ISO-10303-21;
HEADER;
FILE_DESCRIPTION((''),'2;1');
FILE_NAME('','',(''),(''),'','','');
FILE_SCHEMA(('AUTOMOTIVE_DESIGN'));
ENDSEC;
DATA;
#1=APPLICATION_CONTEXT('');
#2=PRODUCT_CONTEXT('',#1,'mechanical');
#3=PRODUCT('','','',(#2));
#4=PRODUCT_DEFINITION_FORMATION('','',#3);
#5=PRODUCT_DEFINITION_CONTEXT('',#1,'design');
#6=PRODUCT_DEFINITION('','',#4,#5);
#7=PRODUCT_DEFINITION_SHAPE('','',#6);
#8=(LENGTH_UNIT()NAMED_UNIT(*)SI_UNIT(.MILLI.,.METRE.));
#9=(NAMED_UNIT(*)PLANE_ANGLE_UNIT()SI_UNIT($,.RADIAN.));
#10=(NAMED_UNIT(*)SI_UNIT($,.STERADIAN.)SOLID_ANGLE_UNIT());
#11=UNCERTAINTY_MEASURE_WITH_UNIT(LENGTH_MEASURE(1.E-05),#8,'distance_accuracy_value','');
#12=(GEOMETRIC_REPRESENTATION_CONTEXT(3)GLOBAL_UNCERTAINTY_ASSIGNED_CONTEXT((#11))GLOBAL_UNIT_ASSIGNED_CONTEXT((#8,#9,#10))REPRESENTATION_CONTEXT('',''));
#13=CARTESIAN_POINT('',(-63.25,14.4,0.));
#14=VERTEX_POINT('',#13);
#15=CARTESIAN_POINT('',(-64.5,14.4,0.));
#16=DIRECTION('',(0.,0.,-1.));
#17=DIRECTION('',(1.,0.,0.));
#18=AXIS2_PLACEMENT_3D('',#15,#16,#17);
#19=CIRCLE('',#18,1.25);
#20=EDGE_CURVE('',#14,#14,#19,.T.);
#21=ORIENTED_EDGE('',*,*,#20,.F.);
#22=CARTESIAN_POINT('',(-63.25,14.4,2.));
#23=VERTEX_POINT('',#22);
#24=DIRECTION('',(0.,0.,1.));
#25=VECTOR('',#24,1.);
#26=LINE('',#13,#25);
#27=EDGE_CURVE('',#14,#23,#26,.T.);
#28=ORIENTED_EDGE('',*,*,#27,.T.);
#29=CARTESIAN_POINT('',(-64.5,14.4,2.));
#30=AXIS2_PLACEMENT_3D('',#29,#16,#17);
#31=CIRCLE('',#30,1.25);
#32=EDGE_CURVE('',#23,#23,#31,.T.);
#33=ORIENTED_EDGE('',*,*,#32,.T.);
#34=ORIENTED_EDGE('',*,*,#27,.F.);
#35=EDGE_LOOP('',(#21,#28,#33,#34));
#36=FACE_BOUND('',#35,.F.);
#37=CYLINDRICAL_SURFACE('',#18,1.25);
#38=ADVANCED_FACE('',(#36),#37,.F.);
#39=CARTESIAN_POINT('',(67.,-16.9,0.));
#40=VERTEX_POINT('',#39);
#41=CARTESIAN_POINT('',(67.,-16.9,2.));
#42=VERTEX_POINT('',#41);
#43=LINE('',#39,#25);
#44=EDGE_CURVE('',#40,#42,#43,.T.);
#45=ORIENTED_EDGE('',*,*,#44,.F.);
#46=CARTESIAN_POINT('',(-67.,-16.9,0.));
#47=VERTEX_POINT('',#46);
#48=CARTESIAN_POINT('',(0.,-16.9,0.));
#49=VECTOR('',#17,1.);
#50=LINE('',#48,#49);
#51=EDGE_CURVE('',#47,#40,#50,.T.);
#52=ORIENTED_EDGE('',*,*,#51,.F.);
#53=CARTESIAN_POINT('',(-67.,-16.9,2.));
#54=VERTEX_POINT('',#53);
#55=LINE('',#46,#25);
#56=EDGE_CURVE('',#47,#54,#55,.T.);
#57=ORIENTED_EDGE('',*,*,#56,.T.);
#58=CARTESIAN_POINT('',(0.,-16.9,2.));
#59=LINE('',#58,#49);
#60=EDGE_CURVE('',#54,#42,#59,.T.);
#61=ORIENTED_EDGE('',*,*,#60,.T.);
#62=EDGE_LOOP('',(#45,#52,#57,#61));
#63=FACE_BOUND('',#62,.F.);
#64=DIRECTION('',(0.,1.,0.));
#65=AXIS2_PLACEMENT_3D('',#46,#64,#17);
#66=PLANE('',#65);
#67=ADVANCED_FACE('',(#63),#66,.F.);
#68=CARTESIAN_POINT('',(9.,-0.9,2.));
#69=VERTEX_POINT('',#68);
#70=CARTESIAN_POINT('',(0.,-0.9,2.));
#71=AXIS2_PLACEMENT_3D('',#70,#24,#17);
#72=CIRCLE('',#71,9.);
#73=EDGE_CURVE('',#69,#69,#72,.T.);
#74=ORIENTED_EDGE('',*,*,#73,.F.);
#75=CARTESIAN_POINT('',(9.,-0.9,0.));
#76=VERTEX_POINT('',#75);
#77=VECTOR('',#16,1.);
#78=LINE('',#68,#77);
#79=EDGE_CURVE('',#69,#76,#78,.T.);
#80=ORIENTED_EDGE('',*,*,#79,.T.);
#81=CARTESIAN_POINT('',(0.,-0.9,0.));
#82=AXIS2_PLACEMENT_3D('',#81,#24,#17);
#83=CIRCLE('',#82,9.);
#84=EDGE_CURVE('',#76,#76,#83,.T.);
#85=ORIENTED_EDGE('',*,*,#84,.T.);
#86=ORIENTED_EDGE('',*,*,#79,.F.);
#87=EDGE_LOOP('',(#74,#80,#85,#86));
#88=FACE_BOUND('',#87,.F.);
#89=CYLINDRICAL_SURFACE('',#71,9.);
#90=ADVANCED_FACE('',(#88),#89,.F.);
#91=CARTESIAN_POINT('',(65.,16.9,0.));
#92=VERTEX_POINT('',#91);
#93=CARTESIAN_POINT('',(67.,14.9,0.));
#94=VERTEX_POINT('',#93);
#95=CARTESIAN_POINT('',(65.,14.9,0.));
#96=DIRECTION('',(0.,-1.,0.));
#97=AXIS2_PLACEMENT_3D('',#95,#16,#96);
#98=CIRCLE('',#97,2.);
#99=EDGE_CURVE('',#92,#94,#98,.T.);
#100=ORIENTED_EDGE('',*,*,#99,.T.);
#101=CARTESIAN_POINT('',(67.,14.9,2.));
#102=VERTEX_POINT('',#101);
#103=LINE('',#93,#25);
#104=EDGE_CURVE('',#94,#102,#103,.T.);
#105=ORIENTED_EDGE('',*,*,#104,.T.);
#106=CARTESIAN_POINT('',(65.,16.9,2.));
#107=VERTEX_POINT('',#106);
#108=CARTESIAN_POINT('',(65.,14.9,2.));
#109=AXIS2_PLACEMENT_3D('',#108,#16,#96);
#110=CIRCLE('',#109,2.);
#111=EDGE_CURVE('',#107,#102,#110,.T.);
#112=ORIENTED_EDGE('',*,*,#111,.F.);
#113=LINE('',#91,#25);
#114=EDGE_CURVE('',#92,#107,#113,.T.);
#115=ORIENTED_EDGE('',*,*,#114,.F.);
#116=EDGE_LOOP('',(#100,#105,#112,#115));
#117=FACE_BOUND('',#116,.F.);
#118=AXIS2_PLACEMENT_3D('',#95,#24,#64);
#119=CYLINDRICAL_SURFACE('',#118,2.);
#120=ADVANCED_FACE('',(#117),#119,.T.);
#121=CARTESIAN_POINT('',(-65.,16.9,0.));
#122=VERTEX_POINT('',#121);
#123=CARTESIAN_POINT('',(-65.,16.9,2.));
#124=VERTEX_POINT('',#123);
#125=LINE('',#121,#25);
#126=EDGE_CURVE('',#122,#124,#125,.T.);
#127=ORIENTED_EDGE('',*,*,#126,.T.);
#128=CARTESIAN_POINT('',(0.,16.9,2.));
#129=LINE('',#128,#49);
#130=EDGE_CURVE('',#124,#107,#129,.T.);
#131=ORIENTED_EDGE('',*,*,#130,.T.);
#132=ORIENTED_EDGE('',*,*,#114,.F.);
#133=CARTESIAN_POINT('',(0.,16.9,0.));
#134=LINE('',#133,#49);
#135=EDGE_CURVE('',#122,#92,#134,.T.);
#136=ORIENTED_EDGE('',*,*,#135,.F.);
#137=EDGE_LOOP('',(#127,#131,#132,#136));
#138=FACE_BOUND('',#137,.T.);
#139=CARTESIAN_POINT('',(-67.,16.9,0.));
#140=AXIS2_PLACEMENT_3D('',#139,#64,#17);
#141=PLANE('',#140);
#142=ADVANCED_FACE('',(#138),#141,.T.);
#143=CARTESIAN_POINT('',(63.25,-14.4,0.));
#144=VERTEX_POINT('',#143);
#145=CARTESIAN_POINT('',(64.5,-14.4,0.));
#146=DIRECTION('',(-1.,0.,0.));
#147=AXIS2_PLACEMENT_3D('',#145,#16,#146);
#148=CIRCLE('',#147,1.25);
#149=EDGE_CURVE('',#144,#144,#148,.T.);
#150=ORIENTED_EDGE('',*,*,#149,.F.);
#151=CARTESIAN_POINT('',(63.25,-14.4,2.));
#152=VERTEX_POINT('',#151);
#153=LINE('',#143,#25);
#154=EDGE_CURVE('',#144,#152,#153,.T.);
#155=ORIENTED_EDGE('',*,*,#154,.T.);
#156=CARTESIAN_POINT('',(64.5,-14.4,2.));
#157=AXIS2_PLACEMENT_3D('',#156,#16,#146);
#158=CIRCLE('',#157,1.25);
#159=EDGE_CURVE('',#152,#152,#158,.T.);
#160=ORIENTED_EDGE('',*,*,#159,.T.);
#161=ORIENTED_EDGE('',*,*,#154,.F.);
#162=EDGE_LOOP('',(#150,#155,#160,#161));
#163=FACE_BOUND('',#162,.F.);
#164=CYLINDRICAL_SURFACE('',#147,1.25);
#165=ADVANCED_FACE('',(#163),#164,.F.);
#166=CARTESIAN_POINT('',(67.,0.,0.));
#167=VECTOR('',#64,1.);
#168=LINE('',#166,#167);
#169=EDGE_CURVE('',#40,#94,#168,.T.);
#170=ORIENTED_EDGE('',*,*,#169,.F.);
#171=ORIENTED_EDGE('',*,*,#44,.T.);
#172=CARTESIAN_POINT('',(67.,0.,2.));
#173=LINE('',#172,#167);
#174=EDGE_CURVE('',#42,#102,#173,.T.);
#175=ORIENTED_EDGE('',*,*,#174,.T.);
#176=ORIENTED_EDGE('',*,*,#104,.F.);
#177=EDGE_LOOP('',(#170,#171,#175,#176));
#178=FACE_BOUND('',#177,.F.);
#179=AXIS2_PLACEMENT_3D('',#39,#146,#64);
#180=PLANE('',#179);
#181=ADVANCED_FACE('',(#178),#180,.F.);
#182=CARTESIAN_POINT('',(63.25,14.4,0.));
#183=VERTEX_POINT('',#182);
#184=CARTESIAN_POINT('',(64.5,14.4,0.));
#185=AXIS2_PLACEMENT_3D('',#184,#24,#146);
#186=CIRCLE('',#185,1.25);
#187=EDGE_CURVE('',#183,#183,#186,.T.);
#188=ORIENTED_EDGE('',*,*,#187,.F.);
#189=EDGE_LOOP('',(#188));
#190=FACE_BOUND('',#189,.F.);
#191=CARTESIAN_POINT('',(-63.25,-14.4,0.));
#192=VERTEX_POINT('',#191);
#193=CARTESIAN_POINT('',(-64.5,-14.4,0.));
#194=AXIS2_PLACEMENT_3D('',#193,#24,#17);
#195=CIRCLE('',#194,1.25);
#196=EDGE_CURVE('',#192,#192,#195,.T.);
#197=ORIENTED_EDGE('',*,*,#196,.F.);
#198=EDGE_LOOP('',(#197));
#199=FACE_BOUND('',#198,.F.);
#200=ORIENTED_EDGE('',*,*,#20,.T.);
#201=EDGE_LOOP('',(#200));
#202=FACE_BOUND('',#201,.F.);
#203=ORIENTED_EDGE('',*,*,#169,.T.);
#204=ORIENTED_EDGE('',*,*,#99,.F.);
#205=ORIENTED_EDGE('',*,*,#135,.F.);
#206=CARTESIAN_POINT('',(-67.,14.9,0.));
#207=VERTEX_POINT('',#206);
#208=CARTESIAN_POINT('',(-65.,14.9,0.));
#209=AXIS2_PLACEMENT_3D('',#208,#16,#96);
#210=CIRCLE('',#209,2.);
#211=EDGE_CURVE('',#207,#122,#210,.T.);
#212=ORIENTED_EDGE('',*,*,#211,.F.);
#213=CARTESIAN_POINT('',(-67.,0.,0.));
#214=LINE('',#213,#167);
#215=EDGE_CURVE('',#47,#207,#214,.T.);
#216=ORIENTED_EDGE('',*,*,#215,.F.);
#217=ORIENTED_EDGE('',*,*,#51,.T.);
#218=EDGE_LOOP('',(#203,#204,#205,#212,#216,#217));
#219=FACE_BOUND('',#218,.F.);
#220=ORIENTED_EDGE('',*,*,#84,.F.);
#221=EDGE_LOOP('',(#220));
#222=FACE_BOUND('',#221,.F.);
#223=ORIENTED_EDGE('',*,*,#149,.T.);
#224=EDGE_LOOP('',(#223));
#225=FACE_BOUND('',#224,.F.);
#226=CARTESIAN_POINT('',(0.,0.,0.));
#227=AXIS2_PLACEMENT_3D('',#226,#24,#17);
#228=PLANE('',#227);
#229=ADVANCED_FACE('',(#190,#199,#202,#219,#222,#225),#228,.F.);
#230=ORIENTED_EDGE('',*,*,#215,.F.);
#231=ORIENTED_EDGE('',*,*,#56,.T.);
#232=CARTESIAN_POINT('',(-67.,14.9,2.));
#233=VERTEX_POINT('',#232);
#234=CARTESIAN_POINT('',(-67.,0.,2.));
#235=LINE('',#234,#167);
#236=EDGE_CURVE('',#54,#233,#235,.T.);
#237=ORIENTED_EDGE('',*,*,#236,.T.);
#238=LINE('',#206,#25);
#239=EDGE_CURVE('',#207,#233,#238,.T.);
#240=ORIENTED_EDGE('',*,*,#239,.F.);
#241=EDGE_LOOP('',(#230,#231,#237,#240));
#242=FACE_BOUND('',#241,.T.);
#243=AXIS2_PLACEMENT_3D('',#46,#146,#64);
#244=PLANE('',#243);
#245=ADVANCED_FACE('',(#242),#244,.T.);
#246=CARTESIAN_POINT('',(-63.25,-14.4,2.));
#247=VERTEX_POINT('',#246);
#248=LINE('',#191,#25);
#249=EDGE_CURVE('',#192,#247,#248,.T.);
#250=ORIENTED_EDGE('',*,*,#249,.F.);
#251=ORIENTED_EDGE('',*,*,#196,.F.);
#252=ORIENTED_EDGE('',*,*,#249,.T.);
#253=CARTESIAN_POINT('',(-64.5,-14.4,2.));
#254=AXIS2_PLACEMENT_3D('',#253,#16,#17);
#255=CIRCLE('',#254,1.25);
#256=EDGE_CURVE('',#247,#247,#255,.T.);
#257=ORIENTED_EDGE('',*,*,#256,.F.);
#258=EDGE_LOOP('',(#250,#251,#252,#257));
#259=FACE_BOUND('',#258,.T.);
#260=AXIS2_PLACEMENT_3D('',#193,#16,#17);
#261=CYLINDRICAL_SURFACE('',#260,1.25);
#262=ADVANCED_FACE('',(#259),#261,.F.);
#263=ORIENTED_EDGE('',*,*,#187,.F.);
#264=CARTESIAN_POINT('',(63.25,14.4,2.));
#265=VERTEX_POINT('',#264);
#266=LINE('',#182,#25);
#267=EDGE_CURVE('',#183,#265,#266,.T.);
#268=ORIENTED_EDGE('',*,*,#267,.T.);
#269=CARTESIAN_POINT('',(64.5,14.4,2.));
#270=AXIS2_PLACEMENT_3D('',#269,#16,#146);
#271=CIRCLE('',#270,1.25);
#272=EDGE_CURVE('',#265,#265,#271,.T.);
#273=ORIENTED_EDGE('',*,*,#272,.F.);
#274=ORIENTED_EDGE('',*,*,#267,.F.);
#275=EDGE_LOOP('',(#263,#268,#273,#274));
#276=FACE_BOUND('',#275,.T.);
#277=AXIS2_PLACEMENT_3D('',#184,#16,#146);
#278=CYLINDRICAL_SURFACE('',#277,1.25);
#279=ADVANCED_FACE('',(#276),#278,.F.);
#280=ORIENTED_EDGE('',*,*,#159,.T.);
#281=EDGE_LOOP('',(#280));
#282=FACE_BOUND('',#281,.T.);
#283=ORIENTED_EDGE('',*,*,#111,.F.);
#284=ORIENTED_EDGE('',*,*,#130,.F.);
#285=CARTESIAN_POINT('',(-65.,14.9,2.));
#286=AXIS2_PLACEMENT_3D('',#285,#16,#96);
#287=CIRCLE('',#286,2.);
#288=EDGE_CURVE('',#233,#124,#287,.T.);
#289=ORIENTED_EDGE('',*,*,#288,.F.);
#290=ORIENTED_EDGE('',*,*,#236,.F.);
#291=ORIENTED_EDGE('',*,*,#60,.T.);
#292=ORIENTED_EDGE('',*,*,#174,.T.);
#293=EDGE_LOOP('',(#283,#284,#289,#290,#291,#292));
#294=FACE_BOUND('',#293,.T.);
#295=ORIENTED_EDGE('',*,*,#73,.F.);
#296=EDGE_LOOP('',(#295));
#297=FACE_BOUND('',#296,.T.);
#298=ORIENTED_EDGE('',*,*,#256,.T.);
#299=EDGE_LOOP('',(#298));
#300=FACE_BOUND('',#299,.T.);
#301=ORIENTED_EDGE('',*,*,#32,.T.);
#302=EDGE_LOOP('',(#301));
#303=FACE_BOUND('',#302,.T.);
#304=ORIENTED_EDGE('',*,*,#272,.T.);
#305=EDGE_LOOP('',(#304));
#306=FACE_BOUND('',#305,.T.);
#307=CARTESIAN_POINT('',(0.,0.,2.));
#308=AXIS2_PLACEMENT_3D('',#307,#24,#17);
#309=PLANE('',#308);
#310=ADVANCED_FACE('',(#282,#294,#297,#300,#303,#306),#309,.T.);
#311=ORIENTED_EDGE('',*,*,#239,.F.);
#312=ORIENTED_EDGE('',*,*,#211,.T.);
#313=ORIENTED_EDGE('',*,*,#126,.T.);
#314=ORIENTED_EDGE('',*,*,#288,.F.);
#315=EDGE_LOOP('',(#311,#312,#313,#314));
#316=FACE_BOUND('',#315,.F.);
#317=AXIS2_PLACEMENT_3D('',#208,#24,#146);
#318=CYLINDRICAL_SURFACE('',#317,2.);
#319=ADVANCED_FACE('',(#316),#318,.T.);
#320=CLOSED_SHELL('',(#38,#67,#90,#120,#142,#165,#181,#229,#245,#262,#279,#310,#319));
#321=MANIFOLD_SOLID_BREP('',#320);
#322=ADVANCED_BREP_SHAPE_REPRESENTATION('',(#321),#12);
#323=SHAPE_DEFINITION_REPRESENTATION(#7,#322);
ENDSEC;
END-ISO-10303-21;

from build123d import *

# Parameters (mm, degrees)
SKETCH_W           = 134
SKETCH_H           = 33.8
PAD_DEPTH          = 2
SKETCH001_R        = 9
POCKET_DEPTH       = 2.001
FILLET_R           = 2
SKETCH002_R        = 1.25
POCKET001_DEPTH    = 278.424154
POLARPATTERN_COUNT = 2


with BuildPart() as part:
    # Sketch → Pad (new body)
    with BuildSketch(Plane.XY):
        Rectangle(SKETCH_W, SKETCH_H)
    extrude(amount=PAD_DEPTH)

    # Sketch001 (on Face6 of Pad) → Pocket (cut, through all)
    with BuildSketch(Plane.XY.offset(2)):
        with Locations((0, -0.9)):
            Circle(SKETCH001_R)
    extrude(amount=-POCKET_DEPTH, mode=Mode.SUBTRACT)

    # Fillet
    fillet_edges = [part.edges().sort_by_distance(p)[0] for p in [
        (-67, 16.9, 1),
        (67, 16.9, 1),
    ]]
    fillet(fillet_edges, radius=FILLET_R)

    # Sketch002 → Pocket001 (cut, through all)
    with BuildSketch(Plane.XY):
        with Locations((-64.5, -14.4)):
            Circle(SKETCH002_R)
    pocket001 = extrude(amount=POCKET001_DEPTH, mode=Mode.SUBTRACT)

    # Mirrored: Pocket001 across YZ
    add(pocket001.mirror(Plane.YZ), mode=Mode.SUBTRACT)

    # Mirrored001: Pocket001 across XZ
    add(pocket001.mirror(Plane.XZ), mode=Mode.SUBTRACT)

    # PolarPattern: Pocket001 ×2 about axis
    polarpattern_axis = Axis((0, 0, 0), (0, 0, 1))
    for i in range(1, POLARPATTERN_COUNT):
        add(pocket001.rotate(polarpattern_axis, i * 360 / POLARPATTERN_COUNT), mode=Mode.SUBTRACT)


solid = part.part
